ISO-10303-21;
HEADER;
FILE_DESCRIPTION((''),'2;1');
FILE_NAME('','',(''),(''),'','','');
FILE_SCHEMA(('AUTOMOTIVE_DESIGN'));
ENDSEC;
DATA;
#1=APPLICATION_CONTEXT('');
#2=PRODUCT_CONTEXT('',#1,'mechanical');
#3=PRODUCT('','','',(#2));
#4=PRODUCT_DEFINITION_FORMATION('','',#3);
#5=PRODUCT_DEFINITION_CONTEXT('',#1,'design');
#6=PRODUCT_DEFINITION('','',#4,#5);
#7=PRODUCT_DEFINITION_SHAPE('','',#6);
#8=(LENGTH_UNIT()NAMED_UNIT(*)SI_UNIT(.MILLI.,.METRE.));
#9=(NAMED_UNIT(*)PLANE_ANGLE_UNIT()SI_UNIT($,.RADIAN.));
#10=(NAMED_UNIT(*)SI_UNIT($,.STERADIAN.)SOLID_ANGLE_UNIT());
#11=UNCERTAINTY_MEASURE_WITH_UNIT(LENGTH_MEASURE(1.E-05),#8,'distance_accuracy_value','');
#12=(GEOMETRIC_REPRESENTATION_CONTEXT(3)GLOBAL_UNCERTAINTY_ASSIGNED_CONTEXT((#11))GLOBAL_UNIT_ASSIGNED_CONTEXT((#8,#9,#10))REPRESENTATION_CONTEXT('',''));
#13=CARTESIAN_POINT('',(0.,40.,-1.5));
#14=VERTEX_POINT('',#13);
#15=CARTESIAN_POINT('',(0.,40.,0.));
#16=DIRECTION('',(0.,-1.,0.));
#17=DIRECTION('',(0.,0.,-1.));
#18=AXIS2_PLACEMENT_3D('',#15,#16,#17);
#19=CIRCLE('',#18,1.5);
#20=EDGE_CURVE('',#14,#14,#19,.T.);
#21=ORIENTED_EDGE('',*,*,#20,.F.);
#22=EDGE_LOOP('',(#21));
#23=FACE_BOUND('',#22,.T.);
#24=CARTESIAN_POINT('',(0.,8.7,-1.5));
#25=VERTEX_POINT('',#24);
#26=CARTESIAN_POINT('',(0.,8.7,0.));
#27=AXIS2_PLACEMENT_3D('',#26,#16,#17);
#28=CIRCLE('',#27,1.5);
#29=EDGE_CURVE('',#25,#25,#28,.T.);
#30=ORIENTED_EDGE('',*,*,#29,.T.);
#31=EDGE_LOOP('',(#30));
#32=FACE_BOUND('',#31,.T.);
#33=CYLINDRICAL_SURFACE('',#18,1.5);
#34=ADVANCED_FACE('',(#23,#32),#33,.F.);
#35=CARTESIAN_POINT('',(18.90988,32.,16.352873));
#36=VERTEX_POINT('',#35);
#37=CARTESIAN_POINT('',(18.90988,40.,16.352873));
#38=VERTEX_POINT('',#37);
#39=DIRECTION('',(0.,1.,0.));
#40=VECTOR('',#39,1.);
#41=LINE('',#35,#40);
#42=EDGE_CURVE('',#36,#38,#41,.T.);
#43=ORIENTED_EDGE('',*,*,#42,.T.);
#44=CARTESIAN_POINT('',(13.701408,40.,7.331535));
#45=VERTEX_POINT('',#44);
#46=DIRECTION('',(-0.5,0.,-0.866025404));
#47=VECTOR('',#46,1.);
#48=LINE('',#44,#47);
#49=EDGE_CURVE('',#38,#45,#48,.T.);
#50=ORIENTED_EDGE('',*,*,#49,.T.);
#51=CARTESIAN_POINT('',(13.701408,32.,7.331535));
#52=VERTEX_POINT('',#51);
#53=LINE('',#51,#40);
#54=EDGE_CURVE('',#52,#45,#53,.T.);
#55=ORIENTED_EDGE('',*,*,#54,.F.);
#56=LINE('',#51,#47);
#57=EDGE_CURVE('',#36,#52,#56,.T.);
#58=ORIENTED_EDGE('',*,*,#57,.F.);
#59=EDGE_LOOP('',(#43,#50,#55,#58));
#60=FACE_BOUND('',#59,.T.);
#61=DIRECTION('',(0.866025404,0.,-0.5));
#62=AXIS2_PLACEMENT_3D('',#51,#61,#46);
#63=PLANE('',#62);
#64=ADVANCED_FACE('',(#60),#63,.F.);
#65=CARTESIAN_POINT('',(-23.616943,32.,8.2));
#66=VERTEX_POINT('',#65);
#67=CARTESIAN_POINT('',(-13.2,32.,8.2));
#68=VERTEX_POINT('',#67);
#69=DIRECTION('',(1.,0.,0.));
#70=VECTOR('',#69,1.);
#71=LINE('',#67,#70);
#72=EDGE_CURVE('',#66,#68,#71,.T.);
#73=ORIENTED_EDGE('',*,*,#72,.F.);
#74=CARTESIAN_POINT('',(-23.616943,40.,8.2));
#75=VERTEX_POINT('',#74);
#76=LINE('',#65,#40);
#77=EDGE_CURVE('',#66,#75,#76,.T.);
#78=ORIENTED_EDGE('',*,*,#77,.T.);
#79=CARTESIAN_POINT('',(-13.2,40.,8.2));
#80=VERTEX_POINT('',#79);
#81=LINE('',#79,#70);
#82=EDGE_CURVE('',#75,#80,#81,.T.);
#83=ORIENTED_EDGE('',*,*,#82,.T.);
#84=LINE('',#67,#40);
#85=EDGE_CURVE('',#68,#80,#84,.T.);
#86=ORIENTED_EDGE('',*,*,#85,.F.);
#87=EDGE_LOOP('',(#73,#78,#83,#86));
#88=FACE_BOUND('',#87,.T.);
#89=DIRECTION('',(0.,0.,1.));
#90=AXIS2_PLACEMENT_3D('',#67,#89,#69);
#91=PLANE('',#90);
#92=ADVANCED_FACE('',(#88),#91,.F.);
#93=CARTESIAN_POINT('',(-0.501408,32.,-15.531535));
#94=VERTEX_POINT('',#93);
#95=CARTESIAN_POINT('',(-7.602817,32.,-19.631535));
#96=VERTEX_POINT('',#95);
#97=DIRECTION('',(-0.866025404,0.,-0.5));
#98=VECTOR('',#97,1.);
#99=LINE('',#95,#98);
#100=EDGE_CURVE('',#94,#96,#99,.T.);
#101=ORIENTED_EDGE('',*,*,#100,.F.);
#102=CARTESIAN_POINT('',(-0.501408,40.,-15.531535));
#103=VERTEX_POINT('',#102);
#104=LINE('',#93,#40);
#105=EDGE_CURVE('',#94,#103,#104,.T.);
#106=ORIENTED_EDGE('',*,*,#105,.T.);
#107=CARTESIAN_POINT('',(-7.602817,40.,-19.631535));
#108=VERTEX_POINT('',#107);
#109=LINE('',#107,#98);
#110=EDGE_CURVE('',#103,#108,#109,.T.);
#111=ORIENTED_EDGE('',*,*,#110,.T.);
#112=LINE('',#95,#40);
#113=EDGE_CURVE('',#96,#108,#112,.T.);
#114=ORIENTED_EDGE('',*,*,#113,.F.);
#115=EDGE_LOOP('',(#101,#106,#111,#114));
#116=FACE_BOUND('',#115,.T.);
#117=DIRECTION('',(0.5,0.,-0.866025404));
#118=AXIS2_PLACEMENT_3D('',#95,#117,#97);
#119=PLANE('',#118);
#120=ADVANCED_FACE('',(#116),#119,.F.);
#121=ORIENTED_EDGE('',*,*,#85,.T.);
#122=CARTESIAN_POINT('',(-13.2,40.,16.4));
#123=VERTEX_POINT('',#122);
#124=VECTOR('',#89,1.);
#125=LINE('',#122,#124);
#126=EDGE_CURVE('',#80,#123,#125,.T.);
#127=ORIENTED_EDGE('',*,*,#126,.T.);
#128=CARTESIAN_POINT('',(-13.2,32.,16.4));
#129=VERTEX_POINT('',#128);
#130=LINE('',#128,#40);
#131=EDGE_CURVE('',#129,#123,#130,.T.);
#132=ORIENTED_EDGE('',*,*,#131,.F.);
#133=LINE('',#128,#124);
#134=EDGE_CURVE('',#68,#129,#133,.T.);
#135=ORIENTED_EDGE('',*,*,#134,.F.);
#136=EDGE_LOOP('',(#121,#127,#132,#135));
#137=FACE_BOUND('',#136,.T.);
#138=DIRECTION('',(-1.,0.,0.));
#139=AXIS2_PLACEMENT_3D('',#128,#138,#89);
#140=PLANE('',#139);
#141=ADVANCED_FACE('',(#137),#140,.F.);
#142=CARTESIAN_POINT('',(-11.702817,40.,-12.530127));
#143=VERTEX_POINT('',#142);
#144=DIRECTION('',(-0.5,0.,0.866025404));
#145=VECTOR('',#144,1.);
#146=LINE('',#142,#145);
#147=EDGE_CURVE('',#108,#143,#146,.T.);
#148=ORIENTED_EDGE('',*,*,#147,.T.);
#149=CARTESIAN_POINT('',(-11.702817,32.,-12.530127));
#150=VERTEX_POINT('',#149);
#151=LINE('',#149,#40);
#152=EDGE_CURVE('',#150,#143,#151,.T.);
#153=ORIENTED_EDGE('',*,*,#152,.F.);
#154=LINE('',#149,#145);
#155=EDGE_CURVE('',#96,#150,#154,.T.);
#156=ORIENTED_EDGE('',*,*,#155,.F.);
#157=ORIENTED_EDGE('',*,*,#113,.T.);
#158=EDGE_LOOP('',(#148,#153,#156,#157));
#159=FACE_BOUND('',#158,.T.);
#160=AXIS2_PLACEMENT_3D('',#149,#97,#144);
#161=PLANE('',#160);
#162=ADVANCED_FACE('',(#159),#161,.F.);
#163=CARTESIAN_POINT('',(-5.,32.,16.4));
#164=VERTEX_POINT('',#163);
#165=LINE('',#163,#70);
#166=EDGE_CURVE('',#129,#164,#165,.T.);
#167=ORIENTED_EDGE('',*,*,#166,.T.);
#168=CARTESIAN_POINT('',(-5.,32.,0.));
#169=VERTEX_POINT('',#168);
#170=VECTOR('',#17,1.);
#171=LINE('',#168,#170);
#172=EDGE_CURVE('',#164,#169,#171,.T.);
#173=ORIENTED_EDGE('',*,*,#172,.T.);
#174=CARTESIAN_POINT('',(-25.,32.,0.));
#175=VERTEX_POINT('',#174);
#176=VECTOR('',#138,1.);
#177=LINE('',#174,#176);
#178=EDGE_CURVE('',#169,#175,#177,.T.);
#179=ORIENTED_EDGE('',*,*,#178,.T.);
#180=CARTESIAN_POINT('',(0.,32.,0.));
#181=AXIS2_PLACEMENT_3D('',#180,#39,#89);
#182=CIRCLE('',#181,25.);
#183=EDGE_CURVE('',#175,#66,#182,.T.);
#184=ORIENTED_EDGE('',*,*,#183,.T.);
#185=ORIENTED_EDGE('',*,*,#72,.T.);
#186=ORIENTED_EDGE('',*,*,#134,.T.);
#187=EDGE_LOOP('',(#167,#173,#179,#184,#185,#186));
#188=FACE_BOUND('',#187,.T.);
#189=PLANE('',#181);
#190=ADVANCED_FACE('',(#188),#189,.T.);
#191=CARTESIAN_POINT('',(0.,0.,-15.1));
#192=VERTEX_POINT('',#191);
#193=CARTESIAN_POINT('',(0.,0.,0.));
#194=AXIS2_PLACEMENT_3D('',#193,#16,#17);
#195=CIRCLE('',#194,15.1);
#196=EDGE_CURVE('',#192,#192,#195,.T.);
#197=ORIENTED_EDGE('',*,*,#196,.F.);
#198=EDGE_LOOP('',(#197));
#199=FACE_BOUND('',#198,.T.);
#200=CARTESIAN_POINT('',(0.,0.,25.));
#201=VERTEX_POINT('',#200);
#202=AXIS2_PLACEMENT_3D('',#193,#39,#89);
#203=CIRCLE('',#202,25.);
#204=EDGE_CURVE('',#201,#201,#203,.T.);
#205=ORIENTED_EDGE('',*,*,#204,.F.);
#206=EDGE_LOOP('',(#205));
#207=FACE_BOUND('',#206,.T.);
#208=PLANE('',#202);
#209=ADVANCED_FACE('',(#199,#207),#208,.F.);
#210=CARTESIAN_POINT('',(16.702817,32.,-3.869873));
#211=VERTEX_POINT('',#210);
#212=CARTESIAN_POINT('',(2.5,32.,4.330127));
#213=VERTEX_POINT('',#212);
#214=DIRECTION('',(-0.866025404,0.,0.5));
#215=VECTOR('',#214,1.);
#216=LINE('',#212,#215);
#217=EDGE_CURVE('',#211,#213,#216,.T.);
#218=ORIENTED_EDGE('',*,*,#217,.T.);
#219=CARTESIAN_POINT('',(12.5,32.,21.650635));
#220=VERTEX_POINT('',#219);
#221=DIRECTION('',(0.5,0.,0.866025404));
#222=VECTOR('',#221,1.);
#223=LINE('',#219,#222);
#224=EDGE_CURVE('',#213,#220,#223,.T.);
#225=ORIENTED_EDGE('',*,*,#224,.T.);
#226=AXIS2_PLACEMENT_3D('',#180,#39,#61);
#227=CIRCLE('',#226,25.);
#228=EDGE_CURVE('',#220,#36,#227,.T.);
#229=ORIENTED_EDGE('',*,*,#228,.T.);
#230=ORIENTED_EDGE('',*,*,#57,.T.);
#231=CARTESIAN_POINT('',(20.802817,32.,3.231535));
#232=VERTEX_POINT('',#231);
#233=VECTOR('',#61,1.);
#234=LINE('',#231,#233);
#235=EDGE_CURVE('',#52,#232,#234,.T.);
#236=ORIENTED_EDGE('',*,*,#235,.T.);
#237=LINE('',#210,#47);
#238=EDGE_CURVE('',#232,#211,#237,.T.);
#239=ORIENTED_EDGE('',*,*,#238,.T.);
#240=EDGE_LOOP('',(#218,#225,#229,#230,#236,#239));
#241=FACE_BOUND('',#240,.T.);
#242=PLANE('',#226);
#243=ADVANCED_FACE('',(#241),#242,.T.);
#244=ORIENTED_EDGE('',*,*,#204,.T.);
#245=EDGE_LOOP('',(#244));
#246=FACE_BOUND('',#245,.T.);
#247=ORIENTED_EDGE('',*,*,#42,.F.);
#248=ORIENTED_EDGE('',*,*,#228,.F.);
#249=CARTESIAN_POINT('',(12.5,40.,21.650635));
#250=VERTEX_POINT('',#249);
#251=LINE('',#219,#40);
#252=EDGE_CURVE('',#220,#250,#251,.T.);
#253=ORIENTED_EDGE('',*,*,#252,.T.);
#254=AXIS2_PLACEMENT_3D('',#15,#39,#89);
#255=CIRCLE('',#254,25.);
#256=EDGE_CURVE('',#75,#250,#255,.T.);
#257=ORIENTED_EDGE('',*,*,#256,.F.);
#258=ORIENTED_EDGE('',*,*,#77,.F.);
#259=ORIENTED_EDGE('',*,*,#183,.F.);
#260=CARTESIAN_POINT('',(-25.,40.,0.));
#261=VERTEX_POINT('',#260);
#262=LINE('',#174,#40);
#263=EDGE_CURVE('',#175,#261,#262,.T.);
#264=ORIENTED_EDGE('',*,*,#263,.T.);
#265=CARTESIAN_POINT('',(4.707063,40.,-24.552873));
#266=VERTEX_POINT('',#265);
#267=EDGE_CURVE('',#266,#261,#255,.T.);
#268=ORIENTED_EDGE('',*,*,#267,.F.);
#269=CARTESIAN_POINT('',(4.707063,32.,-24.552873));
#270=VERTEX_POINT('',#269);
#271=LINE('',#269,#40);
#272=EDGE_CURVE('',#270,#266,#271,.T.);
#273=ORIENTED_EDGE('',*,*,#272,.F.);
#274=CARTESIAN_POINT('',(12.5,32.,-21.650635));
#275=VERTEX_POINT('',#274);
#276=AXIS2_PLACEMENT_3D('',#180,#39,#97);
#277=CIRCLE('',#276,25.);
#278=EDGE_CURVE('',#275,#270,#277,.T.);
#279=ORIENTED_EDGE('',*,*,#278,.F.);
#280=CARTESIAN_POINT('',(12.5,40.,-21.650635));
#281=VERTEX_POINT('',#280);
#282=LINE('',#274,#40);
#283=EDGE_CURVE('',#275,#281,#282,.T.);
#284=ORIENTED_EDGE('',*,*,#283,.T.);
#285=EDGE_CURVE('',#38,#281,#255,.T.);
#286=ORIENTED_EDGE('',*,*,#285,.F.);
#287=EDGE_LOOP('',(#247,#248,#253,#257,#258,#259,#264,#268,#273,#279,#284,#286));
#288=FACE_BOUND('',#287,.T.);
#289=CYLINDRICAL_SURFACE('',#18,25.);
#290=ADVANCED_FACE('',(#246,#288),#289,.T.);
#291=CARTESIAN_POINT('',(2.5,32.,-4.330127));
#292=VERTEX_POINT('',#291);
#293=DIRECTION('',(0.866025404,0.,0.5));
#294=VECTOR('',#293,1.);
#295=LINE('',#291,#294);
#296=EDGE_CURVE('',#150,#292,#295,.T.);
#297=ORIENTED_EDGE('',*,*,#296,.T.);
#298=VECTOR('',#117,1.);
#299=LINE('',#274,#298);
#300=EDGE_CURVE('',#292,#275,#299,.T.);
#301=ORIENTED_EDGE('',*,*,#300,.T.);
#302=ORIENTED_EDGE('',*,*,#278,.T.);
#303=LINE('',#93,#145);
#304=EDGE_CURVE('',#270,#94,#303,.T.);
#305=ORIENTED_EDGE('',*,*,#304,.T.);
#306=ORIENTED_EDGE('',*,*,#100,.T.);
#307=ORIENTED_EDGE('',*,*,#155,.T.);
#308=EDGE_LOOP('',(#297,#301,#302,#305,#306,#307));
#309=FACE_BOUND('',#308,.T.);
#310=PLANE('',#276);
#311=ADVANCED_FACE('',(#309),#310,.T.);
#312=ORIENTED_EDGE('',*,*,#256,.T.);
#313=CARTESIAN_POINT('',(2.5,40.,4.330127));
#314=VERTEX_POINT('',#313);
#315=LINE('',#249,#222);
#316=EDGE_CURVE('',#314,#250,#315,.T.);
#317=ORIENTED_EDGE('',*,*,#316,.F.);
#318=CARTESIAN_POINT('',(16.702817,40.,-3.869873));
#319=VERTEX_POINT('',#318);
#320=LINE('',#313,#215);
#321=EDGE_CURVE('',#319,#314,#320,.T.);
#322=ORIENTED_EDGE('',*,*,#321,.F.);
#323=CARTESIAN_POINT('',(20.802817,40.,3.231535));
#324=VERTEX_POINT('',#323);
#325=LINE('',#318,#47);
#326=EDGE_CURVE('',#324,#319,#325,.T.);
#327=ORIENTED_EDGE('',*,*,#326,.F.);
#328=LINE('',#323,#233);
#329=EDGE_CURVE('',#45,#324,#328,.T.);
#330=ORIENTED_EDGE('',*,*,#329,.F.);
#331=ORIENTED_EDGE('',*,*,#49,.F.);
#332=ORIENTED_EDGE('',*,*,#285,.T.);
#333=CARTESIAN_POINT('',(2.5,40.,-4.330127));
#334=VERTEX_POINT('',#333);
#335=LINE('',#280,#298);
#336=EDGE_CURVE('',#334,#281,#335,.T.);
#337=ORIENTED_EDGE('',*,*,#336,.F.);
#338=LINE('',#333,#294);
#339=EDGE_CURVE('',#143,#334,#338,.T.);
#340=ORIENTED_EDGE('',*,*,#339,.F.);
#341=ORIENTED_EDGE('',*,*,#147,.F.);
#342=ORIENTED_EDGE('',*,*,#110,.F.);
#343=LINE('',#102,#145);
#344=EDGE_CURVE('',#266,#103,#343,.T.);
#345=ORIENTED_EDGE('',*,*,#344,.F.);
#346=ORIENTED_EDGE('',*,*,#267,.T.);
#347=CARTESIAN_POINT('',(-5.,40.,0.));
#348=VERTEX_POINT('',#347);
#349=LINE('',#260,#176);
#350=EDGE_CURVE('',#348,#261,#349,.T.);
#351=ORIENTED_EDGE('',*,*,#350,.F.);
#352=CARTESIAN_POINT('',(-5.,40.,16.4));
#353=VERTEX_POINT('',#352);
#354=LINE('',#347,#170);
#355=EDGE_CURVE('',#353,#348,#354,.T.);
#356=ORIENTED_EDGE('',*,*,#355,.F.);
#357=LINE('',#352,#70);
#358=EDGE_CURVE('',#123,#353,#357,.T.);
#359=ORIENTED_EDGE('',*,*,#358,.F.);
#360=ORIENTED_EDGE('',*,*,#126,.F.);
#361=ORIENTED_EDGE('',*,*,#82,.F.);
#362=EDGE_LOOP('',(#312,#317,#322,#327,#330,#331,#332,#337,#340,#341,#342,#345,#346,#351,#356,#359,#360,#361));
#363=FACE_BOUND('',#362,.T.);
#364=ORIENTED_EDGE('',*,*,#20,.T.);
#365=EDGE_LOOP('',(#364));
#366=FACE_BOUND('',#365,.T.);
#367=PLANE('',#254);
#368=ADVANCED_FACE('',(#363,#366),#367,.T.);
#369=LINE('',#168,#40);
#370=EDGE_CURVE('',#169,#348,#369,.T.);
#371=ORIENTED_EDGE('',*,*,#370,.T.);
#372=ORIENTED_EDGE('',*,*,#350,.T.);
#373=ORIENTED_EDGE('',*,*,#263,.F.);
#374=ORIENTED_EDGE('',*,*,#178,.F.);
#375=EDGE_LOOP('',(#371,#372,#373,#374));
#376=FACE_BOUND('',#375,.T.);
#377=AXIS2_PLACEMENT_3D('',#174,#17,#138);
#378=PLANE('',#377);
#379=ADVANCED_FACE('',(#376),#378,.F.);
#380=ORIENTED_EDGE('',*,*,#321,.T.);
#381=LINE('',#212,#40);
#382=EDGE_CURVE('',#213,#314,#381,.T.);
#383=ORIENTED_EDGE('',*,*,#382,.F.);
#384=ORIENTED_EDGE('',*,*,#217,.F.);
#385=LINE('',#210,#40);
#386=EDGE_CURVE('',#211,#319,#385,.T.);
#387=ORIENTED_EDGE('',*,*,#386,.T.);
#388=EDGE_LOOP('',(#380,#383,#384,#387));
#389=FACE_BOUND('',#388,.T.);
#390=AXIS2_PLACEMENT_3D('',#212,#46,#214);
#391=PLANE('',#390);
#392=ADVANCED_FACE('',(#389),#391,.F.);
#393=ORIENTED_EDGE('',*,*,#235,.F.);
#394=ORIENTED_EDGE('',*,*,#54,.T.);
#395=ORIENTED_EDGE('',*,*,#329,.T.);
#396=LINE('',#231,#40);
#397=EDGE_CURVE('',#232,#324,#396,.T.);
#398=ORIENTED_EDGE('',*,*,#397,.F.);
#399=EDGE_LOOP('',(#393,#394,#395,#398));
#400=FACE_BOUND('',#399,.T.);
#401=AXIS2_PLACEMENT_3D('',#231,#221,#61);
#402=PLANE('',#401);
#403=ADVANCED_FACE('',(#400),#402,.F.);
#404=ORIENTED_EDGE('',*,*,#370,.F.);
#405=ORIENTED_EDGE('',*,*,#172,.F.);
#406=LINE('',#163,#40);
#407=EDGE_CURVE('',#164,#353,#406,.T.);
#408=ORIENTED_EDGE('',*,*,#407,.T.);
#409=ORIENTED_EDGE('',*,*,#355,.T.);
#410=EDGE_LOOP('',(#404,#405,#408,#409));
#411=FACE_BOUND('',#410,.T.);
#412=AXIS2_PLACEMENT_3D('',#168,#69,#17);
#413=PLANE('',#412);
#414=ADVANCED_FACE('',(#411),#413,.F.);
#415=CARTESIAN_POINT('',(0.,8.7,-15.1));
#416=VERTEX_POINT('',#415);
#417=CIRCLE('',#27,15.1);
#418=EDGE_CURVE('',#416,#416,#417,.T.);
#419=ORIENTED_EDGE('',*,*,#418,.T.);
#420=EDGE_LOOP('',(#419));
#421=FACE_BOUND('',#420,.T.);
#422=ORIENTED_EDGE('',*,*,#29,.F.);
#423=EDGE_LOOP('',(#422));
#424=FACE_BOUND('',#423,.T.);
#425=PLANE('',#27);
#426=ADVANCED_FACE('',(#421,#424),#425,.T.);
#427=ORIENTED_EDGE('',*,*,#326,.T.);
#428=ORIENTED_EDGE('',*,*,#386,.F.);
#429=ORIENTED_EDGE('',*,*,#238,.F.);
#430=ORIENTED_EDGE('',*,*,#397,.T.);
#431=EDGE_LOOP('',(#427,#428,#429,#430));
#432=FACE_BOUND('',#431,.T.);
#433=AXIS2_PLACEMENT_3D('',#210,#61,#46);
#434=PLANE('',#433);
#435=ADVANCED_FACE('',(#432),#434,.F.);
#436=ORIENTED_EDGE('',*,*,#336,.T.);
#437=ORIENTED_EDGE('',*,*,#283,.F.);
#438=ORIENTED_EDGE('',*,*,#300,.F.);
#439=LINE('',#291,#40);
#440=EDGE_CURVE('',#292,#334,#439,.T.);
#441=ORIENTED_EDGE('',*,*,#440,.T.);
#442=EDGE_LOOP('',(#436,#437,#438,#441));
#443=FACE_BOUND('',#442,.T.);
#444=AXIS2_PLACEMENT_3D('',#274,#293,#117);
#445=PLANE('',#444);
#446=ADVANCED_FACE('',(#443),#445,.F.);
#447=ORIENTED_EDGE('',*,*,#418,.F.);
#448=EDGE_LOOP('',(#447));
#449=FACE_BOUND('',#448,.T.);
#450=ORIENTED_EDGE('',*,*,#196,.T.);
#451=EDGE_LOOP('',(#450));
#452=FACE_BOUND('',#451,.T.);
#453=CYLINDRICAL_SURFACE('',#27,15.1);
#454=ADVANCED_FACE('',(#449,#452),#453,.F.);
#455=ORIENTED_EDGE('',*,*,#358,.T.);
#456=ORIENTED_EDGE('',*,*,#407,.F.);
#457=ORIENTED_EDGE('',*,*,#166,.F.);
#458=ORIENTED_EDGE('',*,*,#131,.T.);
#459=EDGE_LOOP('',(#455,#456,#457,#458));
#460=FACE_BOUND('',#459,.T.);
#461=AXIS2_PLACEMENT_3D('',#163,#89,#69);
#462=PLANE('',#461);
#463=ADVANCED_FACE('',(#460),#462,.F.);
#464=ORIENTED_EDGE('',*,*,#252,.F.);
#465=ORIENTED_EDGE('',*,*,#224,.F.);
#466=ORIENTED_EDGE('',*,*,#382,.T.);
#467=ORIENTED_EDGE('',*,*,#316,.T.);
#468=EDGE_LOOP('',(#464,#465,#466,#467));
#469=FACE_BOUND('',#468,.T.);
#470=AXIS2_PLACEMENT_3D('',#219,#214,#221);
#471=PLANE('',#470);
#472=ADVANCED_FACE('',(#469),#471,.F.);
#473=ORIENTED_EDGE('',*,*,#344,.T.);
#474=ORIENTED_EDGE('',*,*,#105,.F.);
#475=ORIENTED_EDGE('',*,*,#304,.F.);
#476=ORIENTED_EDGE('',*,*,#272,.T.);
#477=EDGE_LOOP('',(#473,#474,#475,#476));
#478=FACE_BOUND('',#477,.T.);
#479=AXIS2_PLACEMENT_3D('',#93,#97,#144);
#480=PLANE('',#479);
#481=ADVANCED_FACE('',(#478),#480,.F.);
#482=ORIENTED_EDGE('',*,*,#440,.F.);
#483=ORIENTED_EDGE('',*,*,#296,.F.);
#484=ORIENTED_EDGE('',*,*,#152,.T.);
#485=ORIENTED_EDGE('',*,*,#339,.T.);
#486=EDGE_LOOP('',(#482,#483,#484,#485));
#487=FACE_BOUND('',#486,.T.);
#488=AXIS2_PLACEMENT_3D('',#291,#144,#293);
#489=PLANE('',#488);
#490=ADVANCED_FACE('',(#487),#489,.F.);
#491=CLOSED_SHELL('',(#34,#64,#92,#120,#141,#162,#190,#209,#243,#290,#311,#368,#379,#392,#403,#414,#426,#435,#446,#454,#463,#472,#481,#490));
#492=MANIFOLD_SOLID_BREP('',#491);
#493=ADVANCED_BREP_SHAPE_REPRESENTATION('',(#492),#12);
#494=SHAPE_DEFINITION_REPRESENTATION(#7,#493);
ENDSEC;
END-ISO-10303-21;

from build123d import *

# Parameters (mm, degrees)
SKETCH1_R           = 25
BOSS_EXTRUDE1_DEPTH = 40
CUT_EXTRUDE1_START  = -8
CUT_EXTRUDE1_DEPTH  = 8
CIRPATTERN1_COUNT   = 3
SKETCH7_R           = 15.1
CUT_EXTRUDE3_DEPTH  = 8.7
SKETCH8_R           = 1.5
CUT_EXTRUDE4_DEPTH  = 48.219593391


with BuildPart() as part:
    # Sketch1 → Boss-Extrude1 (new body)
    with BuildSketch(Plane(origin=(0, 0, 0), x_dir=(1, 0, 0), z_dir=(0, 1, 0))):
        with Locations(Location((0, 0, 0), (0, 0, 270))):
            Circle(SKETCH1_R)
    extrude(amount=BOSS_EXTRUDE1_DEPTH)

    # Sketch2 → Cut-Extrude1 (cut)
    with BuildSketch(Plane(origin=(0, 40, 0), x_dir=(1, 0, 0), z_dir=(0, 1, 0)).offset(CUT_EXTRUDE1_START)):
        with BuildLine():
            Line((-25, 0), (-5, 0))
            Line((-5, 0), (-5, -16.4))
            Line((-5, -16.4), (-13.2, -16.4))
            Line((-13.2, -16.4), (-13.2, -8.2))
            Line((-13.2, -8.2), (-23.616943071, -8.2))
            ThreePointArc((-23.616943071, -8.2), (-24.651811057, -4.157909525), (-25, 0))
        make_face()
    cut_extrude1 = extrude(amount=CUT_EXTRUDE1_DEPTH, mode=Mode.SUBTRACT)

    # CirPattern1: Cut-Extrude1 ×3 about axis
    cirpattern1_axis = Axis((0, 0, 0), (0, 1, 0))
    for i in range(1, CIRPATTERN1_COUNT):
        add(cut_extrude1.rotate(cirpattern1_axis, i * 360 / CIRPATTERN1_COUNT), mode=Mode.SUBTRACT)

    # Sketch7 → Cut-Extrude3 (cut)
    with BuildSketch(Plane.XZ):
        with Locations(Location((0, 0, 0), (0, 0, 270))):
            Circle(SKETCH7_R)
    extrude(amount=-CUT_EXTRUDE3_DEPTH, mode=Mode.SUBTRACT)

    # Sketch8 → Cut-Extrude4 (cut, through all)
    with BuildSketch(Plane.XZ.offset(-8.7)):
        with Locations(Location((0, 0, 0), (0, 0, 270))):
            Circle(SKETCH8_R)
    extrude(amount=-CUT_EXTRUDE4_DEPTH, mode=Mode.SUBTRACT)


solid = part.part
